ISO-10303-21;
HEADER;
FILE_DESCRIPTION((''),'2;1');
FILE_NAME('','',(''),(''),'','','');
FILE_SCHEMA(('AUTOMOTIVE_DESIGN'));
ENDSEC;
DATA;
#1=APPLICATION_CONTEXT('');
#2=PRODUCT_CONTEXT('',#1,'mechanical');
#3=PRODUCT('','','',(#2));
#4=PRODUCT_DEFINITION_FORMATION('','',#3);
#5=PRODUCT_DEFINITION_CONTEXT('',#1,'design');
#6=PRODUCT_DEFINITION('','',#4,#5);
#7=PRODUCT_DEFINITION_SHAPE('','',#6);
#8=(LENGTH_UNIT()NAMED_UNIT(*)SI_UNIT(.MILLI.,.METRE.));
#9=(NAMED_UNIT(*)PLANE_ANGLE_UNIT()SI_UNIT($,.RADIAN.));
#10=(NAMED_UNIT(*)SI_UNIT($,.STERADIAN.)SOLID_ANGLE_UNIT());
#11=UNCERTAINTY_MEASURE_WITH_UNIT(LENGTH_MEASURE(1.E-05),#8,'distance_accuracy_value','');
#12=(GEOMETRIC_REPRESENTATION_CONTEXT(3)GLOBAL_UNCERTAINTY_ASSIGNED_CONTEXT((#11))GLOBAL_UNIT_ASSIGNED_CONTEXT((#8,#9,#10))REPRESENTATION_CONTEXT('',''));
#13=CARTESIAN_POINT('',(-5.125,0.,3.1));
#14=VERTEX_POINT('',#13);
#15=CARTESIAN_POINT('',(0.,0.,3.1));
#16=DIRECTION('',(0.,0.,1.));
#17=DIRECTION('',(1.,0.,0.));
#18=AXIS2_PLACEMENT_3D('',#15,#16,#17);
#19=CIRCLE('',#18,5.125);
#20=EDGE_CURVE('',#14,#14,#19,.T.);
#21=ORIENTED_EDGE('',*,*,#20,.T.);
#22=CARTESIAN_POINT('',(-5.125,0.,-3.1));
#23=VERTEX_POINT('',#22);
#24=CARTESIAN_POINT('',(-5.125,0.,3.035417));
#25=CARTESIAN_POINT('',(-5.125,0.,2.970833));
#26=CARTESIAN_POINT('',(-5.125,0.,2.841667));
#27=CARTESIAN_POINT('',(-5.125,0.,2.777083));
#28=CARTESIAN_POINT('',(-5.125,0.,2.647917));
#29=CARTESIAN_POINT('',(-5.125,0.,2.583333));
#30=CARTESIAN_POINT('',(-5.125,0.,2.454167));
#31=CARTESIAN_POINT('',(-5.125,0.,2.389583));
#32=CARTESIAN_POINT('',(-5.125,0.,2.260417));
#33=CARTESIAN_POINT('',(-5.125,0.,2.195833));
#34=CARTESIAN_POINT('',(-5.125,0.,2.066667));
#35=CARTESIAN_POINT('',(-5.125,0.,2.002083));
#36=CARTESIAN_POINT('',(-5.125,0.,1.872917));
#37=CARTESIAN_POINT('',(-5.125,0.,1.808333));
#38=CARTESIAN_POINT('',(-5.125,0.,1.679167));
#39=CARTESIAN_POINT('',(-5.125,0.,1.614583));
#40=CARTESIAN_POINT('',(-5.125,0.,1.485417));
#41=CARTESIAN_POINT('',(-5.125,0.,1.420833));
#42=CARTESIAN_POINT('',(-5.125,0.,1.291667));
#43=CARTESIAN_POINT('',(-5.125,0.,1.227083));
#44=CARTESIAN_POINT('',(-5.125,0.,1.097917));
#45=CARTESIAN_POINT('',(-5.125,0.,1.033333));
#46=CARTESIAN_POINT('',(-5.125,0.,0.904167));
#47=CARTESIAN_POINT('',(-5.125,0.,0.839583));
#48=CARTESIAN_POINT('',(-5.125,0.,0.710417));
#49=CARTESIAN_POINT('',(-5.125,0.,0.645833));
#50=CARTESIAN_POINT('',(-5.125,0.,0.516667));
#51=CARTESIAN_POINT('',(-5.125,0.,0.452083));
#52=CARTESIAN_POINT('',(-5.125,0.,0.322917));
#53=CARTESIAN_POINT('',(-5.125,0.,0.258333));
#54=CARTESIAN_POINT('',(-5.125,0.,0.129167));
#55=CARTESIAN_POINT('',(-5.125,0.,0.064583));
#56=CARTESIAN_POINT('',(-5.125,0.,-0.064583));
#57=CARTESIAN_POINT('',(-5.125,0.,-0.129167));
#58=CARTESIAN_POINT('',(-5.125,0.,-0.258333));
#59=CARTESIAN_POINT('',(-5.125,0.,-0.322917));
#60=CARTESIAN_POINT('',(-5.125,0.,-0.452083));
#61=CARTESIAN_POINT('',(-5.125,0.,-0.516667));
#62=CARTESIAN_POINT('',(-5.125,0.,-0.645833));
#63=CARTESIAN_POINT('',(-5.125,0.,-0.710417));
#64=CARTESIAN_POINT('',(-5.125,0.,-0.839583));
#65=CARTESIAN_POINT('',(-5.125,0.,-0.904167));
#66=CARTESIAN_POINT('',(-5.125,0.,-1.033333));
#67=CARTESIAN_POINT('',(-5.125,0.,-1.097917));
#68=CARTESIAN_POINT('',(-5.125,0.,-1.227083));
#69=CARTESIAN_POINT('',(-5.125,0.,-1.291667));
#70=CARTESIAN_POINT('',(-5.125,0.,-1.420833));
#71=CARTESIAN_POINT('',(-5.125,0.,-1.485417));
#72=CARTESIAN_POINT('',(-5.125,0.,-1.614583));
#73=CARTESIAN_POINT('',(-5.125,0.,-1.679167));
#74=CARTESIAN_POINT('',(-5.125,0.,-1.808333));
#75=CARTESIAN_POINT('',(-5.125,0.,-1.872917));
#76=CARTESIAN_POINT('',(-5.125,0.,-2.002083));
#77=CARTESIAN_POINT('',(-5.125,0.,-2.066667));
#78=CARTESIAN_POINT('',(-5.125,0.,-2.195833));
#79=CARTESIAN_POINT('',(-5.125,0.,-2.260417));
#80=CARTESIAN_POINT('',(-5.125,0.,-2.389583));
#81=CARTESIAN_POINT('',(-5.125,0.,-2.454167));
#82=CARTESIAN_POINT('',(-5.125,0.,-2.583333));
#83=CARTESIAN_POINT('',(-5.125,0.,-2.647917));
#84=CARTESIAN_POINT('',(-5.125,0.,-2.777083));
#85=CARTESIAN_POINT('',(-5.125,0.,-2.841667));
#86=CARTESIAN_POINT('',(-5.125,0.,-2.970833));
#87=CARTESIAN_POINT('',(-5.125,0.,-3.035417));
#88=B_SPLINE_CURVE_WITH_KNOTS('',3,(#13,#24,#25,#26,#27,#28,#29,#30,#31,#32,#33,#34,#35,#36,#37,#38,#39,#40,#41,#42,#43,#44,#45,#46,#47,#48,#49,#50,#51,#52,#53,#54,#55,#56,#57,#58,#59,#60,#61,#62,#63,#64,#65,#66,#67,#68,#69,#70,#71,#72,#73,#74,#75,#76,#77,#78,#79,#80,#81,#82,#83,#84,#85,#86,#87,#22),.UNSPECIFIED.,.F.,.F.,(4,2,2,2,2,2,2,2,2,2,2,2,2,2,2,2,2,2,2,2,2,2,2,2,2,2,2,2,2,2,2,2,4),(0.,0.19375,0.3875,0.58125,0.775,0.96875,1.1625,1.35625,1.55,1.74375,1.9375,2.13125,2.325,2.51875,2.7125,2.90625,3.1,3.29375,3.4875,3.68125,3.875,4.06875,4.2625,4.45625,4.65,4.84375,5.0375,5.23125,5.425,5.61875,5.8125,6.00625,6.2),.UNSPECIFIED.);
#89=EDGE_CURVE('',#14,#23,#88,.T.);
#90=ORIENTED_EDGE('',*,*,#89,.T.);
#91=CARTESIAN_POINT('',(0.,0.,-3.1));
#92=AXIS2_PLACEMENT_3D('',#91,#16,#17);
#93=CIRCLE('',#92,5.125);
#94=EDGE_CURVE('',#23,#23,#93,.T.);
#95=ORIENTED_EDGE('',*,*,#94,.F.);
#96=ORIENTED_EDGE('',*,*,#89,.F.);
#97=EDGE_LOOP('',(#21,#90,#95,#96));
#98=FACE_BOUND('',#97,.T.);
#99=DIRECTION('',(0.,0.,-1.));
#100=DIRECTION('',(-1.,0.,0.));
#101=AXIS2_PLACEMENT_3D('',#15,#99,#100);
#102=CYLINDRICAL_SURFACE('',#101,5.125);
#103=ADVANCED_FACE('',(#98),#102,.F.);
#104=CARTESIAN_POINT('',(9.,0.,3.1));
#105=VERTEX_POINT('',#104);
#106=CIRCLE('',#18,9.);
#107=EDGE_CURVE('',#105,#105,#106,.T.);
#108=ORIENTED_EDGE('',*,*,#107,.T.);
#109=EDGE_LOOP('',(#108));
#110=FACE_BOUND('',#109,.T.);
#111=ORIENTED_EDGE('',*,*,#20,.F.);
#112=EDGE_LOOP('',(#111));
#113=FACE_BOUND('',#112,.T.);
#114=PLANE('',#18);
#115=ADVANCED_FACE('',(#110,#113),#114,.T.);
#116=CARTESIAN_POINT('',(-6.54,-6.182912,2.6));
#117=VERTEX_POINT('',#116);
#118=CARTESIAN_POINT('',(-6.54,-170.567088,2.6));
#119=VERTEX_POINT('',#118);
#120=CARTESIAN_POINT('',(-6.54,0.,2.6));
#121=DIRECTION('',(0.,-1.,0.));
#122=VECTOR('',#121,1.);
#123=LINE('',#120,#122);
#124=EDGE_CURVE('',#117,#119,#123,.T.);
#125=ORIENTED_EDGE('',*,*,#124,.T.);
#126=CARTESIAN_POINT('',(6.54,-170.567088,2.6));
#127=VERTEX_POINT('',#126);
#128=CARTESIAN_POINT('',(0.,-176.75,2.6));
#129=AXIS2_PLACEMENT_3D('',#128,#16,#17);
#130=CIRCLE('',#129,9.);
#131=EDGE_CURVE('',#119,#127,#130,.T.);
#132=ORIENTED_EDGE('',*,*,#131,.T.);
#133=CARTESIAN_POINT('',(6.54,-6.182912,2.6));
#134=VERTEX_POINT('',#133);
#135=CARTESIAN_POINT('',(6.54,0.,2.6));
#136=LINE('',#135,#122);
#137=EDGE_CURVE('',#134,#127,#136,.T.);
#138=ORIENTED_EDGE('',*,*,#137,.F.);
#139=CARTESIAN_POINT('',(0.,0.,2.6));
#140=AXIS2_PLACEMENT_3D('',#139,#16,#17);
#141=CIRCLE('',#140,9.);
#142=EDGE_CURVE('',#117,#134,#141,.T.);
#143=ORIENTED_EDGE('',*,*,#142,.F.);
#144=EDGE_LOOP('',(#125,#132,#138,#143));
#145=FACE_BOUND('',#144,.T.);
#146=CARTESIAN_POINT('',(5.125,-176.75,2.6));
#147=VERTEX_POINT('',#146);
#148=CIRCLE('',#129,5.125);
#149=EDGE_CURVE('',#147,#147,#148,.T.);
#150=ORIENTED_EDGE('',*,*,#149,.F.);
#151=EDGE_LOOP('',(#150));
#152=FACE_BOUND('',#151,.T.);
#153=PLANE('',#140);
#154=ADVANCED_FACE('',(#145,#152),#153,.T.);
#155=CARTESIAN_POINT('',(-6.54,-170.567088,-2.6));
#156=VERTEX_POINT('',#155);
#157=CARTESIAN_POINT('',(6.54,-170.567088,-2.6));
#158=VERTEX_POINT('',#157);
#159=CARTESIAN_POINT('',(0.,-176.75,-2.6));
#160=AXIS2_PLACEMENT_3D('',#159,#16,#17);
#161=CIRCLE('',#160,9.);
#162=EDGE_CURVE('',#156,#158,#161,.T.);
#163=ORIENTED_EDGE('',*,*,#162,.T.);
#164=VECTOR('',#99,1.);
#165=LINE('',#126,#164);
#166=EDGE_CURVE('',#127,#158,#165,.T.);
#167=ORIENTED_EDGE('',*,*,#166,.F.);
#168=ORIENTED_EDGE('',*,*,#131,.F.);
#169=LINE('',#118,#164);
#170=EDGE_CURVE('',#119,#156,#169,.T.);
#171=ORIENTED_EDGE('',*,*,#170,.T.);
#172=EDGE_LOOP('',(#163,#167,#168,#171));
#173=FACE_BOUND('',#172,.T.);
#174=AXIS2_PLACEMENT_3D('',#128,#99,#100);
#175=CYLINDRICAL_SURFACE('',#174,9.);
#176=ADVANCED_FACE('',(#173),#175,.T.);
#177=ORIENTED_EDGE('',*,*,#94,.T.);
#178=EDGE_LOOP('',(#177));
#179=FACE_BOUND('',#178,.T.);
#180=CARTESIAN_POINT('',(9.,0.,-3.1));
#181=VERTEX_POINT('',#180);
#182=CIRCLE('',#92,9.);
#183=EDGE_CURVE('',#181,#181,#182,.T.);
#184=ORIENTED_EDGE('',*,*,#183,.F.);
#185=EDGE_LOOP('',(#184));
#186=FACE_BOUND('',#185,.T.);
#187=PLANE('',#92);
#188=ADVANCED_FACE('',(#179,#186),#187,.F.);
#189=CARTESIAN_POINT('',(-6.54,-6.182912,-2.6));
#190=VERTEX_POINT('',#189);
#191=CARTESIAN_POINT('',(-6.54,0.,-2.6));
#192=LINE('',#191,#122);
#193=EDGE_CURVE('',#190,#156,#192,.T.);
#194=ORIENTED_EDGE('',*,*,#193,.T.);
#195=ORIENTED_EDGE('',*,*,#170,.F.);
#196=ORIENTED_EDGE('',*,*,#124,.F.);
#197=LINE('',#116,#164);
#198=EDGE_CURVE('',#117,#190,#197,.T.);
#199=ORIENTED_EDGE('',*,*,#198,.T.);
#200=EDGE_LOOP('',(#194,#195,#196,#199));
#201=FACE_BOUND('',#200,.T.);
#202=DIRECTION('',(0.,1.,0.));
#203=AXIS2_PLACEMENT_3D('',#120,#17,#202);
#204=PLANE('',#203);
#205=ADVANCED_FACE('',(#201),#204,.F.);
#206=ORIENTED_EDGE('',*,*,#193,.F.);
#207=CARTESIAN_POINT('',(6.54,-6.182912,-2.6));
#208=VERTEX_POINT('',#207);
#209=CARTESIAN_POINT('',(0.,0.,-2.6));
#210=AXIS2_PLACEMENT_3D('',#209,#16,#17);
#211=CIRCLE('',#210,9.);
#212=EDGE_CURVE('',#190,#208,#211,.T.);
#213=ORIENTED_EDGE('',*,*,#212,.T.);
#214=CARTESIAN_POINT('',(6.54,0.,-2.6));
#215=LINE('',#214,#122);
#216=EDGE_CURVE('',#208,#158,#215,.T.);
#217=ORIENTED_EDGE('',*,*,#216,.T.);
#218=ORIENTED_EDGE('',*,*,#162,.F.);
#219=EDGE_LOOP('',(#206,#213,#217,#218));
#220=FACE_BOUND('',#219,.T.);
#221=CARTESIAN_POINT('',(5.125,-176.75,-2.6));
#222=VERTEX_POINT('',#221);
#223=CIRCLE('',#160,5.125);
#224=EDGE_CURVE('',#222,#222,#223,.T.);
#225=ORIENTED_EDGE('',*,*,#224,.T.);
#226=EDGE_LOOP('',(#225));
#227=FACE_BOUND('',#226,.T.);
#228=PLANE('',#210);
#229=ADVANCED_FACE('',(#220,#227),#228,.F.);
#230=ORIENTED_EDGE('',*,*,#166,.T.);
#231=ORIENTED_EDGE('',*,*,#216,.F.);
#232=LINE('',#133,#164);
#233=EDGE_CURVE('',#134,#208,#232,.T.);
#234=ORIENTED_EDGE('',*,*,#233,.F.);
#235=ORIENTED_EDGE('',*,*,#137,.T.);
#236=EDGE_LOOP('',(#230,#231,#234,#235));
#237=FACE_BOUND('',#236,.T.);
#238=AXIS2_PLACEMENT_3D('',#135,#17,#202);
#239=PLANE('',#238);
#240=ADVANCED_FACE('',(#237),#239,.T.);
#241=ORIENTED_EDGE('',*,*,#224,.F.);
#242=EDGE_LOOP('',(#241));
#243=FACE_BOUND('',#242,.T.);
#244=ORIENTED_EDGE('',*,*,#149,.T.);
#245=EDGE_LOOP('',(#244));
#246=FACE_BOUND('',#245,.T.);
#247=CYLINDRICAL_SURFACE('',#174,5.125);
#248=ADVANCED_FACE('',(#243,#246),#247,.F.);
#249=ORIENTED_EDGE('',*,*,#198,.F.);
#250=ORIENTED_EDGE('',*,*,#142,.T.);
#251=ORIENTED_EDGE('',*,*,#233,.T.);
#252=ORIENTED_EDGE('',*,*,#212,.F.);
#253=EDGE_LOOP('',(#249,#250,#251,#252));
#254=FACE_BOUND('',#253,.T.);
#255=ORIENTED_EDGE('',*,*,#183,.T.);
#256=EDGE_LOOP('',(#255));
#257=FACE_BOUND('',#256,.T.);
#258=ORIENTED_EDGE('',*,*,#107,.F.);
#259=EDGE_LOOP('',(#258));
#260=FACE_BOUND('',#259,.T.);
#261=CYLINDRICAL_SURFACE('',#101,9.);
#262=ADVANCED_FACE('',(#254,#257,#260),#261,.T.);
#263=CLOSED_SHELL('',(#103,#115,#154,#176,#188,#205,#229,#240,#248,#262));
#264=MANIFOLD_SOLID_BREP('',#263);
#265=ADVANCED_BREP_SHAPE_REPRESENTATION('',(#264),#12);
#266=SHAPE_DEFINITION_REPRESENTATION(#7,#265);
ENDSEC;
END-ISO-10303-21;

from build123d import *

# Parameters (mm, degrees)
CROQUIS1_R              = 5.125
SALIENTE_EXTRUIR1_DEPTH = 2.6
CROQUIS1_3_R            = 9
CROQUIS1_3_R_2          = 5.125
SALIENTE_EXTRUIR2_DEPTH = 3.1


with BuildPart() as part:
    # Croquis1 → Saliente-Extruir1 (new, symmetric)
    with BuildSketch(Plane.XY):
        with BuildLine():
            ThreePointArc((6.54, -6.182911935), (0, -9), (-6.54, -6.182911935))
            Line((-6.54, -6.182911935), (-6.54, -170.567088065))
            ThreePointArc((-6.54, -170.567088065), (0, -185.75), (6.54, -170.567088065))
            Line((6.54, -170.567088065), (6.54, -6.182911935))
        make_face()
        with Locations((0, -176.75)):
            Circle(CROQUIS1_R, mode=Mode.SUBTRACT)
    extrude(amount=SALIENTE_EXTRUIR1_DEPTH, both=True)

    # Croquis1<3> → Saliente-Extruir2 (add, symmetric)
    with BuildSketch(Plane.XY):
        Circle(CROQUIS1_3_R)
        with Locations(Location((0, 0, 0), (0, 0, 180))):
            Circle(CROQUIS1_3_R_2, mode=Mode.SUBTRACT)
    extrude(amount=SALIENTE_EXTRUIR2_DEPTH, both=True)


solid = part.part
